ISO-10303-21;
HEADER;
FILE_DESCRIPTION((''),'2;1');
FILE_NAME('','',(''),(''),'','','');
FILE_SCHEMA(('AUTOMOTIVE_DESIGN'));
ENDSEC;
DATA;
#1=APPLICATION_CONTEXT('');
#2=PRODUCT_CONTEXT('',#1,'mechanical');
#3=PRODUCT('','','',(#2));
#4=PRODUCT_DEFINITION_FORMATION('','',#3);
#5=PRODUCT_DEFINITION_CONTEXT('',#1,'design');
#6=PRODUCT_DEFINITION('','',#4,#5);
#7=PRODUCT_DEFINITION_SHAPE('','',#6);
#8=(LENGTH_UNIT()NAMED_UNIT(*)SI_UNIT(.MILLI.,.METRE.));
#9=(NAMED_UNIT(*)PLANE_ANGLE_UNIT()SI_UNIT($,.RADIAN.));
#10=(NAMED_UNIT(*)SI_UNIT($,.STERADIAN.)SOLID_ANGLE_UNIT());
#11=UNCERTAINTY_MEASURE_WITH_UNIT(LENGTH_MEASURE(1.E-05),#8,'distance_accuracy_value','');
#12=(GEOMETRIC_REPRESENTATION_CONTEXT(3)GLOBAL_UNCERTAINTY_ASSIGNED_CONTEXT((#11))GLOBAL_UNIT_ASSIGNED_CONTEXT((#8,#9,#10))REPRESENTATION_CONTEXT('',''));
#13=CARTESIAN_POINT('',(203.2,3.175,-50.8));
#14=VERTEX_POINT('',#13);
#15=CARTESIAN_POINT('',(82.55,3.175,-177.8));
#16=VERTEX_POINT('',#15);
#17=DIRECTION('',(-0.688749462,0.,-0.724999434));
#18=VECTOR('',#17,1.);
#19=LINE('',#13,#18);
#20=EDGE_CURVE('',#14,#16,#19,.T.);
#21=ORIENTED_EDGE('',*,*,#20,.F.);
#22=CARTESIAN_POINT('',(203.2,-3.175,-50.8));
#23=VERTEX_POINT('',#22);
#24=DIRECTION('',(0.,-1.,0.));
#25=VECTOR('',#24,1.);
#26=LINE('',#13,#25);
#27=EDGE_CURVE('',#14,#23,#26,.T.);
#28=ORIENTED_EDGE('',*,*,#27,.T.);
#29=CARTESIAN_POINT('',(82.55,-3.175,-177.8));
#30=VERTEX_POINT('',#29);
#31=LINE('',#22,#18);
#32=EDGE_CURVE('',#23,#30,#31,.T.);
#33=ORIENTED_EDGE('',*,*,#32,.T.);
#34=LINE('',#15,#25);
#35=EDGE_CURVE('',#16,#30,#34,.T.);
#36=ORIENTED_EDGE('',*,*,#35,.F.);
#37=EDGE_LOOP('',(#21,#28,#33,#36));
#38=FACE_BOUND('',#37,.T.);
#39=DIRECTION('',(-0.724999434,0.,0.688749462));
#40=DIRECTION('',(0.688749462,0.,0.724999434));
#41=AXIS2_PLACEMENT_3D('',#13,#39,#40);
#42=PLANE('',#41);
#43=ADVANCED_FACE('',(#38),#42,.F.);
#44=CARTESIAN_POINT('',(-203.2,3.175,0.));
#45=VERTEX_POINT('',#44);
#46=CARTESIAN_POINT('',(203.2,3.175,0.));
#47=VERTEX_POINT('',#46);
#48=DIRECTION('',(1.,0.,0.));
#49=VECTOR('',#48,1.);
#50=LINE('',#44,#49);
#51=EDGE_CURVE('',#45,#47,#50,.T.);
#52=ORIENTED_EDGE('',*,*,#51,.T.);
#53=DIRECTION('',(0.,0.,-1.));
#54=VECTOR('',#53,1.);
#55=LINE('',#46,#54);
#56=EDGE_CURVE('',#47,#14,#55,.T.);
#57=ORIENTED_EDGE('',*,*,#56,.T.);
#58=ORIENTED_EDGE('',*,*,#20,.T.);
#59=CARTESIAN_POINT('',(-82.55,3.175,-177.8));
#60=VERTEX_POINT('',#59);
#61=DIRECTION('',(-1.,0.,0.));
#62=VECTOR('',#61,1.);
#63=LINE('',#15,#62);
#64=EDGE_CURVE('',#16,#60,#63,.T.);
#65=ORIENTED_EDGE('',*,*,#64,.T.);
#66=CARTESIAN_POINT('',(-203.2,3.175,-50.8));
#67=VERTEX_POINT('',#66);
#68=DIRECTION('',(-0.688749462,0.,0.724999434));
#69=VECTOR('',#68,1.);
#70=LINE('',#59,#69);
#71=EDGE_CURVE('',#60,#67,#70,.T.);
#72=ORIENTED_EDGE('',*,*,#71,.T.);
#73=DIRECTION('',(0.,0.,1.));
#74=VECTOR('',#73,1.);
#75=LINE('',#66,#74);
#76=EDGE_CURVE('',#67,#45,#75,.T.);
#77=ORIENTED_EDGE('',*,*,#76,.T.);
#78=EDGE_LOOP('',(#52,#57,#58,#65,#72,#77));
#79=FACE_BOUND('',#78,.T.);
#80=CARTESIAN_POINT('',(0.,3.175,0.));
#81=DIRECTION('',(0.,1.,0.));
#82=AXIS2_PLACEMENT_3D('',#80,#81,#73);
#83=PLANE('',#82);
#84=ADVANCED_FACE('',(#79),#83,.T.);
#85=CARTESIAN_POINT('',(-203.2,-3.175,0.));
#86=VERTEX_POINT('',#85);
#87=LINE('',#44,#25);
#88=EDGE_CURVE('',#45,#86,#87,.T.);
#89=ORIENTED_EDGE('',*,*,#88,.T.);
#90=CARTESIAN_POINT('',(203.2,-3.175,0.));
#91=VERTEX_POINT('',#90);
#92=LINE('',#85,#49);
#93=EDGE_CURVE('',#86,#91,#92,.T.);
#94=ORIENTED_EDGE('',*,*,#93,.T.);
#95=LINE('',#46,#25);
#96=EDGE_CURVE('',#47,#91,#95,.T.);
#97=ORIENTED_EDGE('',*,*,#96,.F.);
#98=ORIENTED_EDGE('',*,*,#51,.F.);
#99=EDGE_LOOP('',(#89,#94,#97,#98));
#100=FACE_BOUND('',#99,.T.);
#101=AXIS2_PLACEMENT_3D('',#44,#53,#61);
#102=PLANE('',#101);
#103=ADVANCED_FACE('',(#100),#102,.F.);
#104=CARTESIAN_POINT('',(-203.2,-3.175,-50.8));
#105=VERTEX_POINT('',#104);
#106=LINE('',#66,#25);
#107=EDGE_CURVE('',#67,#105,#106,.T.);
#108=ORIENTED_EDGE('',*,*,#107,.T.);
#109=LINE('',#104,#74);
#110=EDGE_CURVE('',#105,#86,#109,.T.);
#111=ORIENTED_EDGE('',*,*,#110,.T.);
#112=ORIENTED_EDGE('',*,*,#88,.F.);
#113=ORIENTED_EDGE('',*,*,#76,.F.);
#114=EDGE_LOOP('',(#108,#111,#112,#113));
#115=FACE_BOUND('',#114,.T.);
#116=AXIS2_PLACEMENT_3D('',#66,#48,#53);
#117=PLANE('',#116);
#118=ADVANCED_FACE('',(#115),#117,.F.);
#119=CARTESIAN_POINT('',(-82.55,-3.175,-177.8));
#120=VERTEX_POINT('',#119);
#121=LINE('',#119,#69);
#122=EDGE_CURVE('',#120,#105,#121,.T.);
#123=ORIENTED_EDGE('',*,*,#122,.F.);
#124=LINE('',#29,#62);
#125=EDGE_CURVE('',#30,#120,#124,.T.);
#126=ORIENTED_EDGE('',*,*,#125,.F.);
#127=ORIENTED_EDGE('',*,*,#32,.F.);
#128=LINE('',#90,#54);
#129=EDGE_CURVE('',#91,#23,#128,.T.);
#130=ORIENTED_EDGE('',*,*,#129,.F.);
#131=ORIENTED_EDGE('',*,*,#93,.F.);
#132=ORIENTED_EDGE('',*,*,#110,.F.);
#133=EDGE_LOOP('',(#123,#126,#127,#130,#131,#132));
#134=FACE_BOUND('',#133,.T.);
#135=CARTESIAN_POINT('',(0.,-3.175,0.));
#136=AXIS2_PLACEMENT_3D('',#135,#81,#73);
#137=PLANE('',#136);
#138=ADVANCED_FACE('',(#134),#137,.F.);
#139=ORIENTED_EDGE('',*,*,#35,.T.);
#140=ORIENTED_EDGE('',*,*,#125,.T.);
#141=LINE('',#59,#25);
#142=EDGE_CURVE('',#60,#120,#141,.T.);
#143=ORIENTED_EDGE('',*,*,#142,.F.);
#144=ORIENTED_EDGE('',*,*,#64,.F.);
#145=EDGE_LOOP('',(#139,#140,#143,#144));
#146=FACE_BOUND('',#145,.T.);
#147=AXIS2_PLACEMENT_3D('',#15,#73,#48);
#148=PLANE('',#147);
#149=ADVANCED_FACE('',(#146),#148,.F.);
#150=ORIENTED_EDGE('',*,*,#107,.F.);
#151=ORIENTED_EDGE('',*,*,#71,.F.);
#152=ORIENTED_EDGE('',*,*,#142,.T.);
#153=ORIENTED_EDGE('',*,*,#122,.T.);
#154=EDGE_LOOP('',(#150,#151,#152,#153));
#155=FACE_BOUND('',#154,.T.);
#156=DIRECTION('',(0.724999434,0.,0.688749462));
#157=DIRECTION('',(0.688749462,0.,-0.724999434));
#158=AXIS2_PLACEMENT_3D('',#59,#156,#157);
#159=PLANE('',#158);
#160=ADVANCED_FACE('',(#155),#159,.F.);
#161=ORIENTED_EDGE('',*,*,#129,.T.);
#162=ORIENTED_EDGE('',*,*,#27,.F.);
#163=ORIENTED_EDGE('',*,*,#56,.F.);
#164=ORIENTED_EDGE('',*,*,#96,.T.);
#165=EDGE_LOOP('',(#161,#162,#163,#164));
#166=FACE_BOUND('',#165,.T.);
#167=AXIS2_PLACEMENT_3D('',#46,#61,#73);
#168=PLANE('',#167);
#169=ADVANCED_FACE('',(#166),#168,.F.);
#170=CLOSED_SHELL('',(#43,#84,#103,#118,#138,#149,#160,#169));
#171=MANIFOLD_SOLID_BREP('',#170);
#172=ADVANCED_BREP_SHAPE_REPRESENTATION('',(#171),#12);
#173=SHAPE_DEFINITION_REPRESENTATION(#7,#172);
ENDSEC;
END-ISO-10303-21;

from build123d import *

# Parameters (mm, degrees)
BOSS_EXTRUDE1_DEPTH = 3.175


with BuildPart() as part:
    # Sketch1 → Boss-Extrude1 (new body, symmetric)
    with BuildSketch(Plane(origin=(0, 0, 0), x_dir=(1, 0, 0), z_dir=(0, 1, 0))):
        Polygon((-203.2, 0), (203.2, 0), (203.2, 50.8), (82.55, 177.8), (-82.55, 177.8), (-203.2, 50.8), align=None)
    extrude(amount=BOSS_EXTRUDE1_DEPTH, both=True)


solid = part.part
